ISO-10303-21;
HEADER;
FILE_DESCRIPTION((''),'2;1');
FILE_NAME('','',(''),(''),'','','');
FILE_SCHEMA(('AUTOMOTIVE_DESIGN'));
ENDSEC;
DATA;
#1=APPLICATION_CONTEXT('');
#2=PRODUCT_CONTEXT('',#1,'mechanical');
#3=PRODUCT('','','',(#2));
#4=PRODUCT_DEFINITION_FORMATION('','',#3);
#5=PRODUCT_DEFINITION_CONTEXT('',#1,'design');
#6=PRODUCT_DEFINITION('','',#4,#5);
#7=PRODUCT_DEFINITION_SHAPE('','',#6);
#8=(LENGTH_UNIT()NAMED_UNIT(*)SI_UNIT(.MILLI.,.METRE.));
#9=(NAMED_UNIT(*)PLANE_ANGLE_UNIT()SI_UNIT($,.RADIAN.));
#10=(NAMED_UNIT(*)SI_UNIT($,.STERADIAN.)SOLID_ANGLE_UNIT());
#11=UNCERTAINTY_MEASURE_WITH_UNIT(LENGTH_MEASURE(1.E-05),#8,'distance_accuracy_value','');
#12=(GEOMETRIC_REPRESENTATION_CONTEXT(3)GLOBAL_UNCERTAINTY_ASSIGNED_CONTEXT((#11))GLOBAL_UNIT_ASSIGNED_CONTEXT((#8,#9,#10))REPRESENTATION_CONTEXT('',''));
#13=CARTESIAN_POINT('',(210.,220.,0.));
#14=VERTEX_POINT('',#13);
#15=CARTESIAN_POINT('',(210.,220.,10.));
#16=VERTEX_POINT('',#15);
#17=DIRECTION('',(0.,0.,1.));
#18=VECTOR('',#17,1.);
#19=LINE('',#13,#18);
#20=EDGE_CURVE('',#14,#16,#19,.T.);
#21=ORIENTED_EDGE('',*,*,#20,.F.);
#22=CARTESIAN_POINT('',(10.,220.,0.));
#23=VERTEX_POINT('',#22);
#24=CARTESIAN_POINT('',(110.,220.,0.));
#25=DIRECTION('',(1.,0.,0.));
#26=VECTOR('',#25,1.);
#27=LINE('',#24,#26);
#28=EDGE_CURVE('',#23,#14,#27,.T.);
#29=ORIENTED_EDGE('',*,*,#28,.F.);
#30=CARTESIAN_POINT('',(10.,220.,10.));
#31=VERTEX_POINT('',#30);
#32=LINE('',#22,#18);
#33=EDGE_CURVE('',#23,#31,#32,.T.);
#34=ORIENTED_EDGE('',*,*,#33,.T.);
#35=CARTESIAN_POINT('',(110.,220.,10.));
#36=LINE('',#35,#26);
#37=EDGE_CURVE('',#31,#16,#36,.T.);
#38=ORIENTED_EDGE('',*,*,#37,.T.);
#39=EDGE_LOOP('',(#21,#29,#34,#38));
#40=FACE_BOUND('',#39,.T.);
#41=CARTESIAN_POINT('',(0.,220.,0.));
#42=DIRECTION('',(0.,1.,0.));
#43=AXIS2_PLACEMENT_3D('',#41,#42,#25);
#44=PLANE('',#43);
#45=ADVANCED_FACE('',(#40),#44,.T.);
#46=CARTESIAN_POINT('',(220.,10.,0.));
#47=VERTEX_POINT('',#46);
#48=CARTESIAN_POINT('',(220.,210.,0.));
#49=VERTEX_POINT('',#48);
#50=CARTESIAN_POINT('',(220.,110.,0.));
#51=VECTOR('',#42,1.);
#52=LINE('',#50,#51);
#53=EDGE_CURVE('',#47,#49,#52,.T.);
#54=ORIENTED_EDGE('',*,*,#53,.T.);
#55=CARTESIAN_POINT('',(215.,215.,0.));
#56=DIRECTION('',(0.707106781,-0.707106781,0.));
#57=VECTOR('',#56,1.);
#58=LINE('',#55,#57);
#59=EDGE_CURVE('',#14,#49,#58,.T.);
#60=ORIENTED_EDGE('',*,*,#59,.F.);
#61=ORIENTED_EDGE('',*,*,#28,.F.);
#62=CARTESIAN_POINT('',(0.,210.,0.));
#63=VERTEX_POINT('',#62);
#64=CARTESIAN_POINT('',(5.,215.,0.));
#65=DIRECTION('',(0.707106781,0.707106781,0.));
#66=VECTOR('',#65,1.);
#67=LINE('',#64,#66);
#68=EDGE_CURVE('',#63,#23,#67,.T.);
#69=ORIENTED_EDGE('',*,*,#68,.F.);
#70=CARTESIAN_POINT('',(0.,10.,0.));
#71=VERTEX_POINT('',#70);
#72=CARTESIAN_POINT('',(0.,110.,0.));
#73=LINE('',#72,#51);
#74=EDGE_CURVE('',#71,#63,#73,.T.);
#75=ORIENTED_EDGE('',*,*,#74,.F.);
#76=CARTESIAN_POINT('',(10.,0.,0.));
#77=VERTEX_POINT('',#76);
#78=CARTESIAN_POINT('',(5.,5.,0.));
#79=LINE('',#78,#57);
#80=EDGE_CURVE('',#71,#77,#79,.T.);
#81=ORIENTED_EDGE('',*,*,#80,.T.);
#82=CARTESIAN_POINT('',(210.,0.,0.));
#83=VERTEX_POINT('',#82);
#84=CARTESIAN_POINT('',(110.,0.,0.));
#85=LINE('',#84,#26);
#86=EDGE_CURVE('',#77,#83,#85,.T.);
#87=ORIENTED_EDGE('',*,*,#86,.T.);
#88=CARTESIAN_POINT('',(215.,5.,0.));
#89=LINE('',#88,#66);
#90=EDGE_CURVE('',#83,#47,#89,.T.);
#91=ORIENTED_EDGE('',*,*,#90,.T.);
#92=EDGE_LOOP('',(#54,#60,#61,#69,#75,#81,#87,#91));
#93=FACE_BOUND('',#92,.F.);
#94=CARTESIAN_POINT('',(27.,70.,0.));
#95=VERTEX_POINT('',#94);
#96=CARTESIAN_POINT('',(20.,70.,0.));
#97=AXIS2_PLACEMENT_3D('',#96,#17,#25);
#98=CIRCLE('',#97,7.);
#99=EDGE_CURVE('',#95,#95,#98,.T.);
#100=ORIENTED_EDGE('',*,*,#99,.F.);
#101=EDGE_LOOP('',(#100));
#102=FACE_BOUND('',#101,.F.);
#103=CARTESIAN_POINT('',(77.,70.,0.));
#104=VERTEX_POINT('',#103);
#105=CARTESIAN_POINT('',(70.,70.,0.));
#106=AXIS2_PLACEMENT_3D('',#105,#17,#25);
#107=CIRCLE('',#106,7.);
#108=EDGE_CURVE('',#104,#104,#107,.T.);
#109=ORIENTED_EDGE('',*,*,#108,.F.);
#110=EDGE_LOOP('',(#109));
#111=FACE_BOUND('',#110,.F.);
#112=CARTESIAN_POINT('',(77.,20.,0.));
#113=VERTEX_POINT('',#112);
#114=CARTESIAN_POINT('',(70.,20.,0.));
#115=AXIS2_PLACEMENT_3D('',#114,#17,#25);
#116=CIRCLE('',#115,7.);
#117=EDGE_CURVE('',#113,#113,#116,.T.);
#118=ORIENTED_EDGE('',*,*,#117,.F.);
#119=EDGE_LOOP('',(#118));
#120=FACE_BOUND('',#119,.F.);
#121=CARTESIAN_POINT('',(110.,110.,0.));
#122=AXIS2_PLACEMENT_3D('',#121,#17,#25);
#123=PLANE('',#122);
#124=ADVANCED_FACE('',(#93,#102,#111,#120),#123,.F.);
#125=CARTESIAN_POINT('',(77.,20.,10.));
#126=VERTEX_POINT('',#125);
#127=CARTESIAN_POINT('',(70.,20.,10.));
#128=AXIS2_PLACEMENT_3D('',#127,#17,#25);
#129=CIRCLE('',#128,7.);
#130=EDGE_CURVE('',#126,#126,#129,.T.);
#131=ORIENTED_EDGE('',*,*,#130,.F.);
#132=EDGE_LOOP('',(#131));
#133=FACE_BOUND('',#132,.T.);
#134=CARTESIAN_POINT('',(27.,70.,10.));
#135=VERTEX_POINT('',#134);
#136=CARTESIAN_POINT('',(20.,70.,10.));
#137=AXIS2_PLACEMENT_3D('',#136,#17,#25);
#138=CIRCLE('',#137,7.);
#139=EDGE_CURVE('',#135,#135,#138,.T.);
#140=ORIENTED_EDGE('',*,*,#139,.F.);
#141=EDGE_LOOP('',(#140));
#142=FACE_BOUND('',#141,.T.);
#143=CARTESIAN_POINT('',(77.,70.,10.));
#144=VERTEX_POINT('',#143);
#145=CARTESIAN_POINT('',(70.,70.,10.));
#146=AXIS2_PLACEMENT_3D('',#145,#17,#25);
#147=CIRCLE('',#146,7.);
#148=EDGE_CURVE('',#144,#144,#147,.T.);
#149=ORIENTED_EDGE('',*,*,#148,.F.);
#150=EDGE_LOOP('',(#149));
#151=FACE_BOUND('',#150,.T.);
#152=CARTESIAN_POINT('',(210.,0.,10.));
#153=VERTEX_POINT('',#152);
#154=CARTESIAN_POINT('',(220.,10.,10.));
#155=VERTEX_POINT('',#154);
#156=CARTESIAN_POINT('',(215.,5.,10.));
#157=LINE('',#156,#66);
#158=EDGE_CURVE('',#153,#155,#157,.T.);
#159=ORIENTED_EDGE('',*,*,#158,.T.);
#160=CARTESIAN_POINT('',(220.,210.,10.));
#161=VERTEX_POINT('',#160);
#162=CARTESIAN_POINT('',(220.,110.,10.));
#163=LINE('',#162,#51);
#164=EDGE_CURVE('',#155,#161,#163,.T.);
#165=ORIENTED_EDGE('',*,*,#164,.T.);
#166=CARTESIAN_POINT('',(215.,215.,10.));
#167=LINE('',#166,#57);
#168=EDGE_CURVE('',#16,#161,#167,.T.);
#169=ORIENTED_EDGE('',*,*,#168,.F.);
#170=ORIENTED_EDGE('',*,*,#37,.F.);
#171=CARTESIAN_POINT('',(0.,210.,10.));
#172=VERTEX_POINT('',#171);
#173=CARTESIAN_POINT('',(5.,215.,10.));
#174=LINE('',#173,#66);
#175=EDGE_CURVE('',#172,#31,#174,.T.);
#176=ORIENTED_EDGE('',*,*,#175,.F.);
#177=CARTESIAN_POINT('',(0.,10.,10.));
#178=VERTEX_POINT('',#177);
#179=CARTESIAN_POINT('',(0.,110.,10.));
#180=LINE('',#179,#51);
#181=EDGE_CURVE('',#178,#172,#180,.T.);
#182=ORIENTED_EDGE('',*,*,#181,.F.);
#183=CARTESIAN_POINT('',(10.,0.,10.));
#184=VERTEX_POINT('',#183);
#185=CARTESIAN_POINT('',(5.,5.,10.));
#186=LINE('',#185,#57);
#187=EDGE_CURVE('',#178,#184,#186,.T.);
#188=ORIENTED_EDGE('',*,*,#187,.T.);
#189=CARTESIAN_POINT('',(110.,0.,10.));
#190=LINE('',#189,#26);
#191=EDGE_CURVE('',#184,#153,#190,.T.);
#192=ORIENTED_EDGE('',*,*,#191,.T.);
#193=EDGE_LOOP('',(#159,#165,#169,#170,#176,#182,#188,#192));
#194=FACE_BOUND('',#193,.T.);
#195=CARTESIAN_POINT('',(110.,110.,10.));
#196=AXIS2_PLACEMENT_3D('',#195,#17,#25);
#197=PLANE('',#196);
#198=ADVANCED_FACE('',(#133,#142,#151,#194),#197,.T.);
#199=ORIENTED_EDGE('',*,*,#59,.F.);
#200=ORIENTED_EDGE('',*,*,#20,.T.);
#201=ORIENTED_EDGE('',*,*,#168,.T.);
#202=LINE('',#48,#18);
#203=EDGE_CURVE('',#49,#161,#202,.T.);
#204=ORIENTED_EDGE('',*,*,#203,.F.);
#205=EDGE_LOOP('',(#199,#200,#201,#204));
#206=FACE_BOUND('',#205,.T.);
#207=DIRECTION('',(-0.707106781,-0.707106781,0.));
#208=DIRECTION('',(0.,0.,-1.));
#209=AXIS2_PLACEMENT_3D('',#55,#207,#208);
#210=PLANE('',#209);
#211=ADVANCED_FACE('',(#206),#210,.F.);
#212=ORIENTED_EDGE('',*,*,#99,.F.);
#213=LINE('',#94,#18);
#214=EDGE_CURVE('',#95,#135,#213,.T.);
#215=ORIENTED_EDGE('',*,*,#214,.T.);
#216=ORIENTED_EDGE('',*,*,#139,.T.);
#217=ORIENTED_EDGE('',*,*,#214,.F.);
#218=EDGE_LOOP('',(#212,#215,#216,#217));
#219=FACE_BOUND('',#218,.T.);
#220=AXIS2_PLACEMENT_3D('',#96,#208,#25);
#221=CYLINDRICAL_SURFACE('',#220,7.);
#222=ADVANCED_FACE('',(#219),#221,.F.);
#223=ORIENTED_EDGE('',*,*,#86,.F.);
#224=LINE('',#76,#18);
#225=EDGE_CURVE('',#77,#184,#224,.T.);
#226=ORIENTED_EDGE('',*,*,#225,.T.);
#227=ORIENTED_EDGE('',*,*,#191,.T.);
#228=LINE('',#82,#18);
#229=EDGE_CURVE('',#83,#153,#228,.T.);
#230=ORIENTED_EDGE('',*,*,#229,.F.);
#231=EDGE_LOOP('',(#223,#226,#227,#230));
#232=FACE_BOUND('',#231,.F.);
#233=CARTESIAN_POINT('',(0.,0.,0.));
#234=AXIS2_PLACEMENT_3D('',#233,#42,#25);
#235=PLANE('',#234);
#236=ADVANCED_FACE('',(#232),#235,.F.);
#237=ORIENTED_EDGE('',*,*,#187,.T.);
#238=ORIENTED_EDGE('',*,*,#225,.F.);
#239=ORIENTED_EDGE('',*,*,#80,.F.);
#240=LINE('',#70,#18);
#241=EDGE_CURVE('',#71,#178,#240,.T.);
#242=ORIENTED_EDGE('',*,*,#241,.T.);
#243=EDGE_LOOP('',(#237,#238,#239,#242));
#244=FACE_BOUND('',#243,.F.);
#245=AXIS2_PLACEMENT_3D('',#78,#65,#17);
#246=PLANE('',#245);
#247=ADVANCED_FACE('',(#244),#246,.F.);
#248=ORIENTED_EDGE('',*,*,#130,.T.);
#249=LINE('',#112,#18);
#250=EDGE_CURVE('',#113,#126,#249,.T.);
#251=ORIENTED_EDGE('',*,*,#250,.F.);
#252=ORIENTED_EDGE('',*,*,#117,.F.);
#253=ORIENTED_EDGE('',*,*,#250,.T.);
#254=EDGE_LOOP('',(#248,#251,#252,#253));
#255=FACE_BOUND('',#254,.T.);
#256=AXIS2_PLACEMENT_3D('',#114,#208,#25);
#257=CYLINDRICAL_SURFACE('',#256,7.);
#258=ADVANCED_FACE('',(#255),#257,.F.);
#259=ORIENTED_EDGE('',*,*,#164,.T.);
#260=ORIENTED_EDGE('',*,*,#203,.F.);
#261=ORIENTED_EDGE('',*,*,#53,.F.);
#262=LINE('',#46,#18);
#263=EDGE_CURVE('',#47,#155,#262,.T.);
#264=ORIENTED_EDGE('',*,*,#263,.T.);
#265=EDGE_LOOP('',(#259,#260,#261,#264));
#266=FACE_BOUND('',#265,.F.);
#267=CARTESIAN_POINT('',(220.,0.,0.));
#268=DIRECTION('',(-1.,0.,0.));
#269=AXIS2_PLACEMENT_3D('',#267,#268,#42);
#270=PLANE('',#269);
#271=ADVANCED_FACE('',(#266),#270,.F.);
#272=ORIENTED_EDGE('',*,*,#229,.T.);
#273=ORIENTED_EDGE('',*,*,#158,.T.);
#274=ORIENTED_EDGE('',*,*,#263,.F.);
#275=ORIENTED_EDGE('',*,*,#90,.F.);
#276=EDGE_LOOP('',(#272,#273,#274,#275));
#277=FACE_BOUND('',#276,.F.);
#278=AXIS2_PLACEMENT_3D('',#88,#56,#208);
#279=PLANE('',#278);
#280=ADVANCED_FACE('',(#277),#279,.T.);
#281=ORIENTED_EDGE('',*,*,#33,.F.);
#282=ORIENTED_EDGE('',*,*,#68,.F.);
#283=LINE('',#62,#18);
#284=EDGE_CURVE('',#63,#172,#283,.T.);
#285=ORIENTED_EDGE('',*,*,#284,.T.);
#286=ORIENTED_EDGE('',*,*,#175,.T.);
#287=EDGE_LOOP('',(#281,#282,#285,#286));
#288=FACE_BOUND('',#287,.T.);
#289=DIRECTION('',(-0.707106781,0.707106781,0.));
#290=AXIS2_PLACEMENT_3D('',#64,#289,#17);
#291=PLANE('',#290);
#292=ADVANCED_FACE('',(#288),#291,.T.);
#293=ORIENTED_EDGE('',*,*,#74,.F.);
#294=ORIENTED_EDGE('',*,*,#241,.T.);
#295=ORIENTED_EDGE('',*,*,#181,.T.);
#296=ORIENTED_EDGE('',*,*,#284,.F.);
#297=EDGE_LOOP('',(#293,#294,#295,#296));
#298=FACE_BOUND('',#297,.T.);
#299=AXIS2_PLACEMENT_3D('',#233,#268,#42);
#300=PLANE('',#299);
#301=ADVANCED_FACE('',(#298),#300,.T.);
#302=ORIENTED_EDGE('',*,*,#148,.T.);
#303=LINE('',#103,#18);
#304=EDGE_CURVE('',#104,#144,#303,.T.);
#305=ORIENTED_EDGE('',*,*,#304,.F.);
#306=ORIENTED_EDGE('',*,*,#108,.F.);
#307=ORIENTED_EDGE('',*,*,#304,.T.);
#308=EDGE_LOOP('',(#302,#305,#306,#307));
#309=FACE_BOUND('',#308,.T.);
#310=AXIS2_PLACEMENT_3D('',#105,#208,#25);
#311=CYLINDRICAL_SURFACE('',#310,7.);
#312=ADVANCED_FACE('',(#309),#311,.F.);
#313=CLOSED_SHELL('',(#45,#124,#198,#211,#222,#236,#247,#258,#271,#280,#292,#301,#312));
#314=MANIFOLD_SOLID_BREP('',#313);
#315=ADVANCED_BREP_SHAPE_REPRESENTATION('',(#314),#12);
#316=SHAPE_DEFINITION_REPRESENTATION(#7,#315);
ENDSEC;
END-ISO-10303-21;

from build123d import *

# Parameters (mm, degrees)
F0_W     = 220
F0_H     = 220
F0_R     = 7
F1_DEPTH = 10
F2_SIZE  = 10


with BuildPart() as f1:
    # F0 (on Top) → F1 (new body)
    with BuildSketch(Plane.XY):
        with Locations((110, 110)):
            Rectangle(F0_W, F0_H)
        with Locations((70, 20)):
            Circle(F0_R, mode=Mode.SUBTRACT)
        with Locations((20, 70)):
            Circle(F0_R, mode=Mode.SUBTRACT)
        with Locations((70, 70)):
            Circle(F0_R, mode=Mode.SUBTRACT)
    extrude(amount=F1_DEPTH)

    # F2
    f2_edges = [f1.edges().sort_by_distance(p)[0] for p in [
        (0, 220, 5),
        (0, 0, 5),
        (220, 0, 5),
        (220, 220, 5),
    ]]
    chamfer(f2_edges, length=F2_SIZE)


solid = f1.part
